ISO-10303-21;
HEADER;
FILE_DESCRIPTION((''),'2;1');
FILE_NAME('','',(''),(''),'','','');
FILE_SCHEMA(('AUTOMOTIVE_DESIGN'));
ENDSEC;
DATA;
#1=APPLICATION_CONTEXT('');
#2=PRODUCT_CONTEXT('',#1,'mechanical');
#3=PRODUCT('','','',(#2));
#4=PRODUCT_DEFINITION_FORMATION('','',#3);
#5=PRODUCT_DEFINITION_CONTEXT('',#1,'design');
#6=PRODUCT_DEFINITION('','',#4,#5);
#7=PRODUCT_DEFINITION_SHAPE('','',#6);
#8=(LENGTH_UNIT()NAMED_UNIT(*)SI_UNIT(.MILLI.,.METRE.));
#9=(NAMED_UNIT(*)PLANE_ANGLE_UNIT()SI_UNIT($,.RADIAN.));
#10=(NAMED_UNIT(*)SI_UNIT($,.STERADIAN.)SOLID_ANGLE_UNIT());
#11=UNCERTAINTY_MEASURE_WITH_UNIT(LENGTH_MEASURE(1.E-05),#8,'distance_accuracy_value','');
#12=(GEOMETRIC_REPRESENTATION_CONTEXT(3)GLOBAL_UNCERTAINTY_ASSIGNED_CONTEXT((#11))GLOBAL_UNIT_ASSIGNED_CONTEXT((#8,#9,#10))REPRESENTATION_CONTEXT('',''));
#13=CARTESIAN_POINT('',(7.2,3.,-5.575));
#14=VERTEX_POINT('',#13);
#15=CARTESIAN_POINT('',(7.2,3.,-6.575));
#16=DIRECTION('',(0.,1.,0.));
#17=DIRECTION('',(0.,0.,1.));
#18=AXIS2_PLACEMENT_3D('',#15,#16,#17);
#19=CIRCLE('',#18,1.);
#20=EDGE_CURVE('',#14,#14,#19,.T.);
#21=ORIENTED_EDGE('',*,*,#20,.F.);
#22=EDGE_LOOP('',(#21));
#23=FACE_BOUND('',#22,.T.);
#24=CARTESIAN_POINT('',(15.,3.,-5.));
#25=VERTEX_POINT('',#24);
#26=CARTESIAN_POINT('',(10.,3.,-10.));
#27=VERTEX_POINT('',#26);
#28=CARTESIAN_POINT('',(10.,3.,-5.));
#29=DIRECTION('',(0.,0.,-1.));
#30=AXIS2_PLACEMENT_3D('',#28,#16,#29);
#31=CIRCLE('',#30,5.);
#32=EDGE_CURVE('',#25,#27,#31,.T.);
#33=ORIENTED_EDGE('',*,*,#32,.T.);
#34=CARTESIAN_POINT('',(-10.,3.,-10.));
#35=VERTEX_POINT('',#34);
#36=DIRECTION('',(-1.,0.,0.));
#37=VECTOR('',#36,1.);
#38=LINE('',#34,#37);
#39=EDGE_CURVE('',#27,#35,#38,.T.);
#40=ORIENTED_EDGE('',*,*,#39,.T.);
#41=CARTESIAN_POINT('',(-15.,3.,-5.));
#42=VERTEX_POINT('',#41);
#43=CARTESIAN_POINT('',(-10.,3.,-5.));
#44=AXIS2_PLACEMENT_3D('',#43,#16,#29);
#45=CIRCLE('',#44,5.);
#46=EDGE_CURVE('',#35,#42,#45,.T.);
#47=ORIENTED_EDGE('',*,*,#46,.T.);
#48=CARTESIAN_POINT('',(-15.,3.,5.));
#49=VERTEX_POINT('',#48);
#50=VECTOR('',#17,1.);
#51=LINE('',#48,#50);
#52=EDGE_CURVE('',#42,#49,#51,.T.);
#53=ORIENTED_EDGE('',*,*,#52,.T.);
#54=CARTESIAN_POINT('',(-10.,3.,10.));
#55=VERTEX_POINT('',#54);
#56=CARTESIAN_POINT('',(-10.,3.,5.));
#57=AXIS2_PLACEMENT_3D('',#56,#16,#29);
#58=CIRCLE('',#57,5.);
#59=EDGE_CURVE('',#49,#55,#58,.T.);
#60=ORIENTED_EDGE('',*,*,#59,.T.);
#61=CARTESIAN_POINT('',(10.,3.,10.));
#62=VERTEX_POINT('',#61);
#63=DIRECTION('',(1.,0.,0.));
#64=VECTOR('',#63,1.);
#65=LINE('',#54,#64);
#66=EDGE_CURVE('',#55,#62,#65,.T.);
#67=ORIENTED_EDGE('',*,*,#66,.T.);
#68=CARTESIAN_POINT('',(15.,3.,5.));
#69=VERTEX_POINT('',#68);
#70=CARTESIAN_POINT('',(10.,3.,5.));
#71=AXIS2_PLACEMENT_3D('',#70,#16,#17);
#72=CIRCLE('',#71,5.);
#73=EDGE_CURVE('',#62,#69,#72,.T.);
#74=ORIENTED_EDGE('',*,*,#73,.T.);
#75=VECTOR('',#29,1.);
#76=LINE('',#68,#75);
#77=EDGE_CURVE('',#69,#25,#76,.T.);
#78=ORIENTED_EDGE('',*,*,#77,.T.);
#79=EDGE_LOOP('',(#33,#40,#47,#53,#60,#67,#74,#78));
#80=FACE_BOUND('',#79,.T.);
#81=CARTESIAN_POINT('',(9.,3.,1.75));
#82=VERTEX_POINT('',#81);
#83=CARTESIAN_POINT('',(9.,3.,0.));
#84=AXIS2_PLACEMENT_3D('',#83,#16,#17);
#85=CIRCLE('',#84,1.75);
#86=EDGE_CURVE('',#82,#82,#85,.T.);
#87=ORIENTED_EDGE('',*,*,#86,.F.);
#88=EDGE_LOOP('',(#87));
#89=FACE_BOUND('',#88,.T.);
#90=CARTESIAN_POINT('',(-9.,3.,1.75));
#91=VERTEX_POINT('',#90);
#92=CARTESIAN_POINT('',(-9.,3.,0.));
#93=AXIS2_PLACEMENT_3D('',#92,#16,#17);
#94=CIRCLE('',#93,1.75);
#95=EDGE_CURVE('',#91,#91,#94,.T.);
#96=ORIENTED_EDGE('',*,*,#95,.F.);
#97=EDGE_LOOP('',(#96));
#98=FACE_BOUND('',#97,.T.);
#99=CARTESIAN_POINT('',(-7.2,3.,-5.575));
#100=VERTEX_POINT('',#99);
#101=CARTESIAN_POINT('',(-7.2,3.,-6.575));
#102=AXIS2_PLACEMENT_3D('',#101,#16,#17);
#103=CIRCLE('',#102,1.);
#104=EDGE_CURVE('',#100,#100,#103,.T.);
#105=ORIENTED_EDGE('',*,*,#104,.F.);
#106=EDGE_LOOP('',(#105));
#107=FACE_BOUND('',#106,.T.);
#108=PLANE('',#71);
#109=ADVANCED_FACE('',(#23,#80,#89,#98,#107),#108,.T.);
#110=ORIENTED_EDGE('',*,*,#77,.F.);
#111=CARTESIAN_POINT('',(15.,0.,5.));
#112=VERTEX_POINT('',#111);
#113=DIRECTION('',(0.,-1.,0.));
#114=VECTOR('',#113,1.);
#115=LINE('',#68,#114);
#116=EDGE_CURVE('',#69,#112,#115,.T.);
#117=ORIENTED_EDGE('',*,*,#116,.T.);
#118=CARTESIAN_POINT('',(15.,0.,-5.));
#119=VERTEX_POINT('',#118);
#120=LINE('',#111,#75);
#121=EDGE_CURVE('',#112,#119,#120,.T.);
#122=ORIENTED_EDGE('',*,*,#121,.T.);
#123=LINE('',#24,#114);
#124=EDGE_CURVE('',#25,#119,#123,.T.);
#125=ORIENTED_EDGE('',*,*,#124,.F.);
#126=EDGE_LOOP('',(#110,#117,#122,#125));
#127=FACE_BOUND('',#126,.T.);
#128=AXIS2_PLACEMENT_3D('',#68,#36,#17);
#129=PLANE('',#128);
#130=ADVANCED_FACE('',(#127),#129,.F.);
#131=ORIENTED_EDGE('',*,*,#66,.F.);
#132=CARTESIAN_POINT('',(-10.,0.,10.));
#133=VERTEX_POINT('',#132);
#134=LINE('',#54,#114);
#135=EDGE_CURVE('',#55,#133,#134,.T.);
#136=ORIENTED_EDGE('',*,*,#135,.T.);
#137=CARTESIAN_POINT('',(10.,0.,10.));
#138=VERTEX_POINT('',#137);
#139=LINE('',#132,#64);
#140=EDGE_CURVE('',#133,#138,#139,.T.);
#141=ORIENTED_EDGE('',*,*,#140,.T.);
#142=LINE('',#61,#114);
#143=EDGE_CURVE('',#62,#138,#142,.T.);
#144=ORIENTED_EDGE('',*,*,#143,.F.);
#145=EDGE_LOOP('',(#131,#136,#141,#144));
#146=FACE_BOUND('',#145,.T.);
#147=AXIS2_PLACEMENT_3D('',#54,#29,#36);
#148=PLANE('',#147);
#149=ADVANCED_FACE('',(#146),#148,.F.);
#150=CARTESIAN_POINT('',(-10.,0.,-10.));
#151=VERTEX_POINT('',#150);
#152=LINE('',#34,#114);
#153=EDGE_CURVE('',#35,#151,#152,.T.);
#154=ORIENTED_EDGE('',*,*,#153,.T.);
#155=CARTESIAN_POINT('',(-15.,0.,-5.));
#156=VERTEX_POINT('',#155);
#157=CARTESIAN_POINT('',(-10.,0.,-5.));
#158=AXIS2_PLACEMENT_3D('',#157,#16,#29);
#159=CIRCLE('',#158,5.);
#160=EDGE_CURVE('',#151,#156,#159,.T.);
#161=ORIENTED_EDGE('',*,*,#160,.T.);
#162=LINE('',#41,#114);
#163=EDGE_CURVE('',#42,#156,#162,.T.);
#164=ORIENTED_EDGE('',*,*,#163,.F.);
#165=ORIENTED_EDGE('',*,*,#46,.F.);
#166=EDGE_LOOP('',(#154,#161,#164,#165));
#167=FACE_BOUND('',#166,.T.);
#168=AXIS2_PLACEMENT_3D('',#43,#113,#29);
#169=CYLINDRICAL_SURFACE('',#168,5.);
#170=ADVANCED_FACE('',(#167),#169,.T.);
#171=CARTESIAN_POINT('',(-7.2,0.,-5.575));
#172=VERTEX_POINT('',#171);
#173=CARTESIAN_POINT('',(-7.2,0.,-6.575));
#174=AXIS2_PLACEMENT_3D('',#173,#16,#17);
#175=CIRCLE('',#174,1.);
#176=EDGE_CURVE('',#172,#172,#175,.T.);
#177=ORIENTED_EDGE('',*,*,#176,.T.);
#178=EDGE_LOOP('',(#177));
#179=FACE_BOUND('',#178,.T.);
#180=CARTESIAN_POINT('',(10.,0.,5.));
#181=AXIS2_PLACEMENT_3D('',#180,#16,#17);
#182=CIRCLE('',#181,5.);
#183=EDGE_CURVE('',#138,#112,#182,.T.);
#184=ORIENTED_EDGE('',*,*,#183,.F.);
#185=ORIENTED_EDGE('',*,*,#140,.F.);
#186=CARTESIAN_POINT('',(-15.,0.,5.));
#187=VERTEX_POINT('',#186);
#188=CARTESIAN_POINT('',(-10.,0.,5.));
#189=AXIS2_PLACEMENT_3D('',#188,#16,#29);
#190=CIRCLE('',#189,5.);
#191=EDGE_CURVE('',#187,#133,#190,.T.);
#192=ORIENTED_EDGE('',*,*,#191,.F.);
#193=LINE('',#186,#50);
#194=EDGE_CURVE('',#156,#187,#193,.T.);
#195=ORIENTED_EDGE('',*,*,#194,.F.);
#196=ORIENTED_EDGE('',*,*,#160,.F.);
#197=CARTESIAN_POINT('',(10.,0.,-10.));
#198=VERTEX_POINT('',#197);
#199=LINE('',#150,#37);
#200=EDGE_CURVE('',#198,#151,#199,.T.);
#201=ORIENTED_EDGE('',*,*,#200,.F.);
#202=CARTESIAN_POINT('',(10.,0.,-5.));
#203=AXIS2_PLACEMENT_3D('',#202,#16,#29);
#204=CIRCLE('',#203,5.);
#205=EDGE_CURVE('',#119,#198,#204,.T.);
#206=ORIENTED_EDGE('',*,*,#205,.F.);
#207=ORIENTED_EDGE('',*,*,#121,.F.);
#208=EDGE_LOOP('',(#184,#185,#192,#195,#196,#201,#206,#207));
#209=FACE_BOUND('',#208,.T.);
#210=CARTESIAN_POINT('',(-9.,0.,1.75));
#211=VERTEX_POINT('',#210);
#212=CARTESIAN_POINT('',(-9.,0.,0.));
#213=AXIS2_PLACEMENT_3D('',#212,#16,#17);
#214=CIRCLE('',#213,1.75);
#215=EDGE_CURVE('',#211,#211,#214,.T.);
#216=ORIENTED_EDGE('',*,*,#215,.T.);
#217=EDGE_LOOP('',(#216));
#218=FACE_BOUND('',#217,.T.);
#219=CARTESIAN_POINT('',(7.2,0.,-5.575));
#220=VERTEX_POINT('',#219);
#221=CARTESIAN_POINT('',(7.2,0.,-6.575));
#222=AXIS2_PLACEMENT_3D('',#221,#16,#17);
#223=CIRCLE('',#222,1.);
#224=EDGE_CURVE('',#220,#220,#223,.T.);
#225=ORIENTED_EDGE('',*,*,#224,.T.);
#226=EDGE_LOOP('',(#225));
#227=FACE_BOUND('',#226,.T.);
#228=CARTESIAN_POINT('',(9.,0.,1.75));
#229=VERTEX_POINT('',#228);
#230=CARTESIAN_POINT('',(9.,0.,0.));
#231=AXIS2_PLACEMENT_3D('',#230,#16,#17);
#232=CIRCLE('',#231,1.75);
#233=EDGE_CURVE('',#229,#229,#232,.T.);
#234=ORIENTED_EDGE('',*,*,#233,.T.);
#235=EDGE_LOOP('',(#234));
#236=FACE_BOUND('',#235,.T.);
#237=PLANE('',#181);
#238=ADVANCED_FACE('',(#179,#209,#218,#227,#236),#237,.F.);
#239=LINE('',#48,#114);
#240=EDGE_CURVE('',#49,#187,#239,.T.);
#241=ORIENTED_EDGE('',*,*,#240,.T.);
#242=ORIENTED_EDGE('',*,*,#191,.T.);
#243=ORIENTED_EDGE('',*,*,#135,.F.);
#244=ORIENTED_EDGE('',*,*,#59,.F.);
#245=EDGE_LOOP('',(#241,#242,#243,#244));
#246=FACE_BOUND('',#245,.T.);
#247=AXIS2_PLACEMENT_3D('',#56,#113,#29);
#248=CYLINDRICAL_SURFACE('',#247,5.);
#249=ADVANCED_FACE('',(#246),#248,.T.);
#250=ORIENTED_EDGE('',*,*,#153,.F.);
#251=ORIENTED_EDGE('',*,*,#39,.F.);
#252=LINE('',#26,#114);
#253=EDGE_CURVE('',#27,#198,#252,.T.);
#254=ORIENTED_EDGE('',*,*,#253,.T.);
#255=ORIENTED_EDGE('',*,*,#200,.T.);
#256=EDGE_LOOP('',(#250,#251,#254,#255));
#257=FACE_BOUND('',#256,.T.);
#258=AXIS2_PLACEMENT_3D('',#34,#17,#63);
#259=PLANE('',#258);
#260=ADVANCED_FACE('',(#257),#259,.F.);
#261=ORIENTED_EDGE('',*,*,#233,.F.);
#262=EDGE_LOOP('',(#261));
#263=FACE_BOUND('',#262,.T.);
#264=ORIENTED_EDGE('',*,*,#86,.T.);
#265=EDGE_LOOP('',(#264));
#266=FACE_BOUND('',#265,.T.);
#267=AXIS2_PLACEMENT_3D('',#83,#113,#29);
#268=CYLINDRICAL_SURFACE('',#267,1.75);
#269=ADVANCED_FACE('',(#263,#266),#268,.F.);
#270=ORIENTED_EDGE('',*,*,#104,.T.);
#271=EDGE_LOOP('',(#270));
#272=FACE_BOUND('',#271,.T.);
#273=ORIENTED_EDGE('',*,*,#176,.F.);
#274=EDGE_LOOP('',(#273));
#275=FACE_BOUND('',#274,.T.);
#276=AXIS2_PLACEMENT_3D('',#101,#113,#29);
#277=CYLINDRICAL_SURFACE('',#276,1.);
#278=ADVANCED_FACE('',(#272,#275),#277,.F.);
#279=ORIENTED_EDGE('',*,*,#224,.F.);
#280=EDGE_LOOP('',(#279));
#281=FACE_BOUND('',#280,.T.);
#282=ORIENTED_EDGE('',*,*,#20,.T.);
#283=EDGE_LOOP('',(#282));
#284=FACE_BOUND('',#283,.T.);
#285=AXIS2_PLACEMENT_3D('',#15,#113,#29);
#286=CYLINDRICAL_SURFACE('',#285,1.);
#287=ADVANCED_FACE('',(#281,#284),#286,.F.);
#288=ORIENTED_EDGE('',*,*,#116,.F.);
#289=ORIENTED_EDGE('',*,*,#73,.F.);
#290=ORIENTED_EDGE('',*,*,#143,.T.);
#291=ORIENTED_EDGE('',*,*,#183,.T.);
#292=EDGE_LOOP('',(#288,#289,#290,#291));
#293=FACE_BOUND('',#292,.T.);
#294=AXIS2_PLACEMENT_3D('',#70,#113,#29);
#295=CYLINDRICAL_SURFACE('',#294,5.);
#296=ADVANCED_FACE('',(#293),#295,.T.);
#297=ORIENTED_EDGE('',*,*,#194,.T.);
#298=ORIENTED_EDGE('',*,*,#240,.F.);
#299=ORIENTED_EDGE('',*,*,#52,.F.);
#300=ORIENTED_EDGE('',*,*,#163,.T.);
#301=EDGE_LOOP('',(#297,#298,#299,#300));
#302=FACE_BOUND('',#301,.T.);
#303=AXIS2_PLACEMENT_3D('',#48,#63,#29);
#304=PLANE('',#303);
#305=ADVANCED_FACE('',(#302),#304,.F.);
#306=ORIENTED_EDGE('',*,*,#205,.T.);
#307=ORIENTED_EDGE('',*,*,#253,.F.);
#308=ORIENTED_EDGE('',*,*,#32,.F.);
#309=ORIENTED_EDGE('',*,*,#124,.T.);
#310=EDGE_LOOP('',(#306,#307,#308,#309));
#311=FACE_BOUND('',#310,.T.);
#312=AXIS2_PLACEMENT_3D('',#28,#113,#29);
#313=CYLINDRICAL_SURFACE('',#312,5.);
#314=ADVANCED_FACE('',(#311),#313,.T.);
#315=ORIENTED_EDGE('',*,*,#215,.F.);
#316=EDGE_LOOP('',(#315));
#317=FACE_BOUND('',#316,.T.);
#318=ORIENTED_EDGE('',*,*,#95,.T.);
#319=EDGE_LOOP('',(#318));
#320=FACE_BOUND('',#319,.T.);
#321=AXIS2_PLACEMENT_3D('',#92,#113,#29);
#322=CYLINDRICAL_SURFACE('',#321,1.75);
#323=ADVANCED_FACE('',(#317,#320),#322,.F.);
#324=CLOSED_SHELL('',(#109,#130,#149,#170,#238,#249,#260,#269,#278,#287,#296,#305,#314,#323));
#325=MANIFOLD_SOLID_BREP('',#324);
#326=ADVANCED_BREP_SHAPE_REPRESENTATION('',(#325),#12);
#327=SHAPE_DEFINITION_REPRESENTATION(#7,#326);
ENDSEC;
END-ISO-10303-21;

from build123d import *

# Parameters (mm, degrees)
SKETCH_1_R      = 1.75
SKETCH_1_R_2    = 1
EXTRUDE_1_DEPTH = 3


with BuildPart() as part:
    # 草图1 → 凸台-拉伸1 (new body)
    with BuildSketch(Plane(origin=(0, 0, 0), x_dir=(1, 0, 0), z_dir=(0, 1, 0))):
        with BuildLine():
            Line((-10, -10), (10, -10))
            ThreePointArc((10, -10), (13.535533906, -8.535533906), (15, -5))
            Line((15, -5), (15, 5))
            ThreePointArc((15, 5), (13.535533906, 8.535533906), (10, 10))
            Line((10, 10), (-10, 10))
            ThreePointArc((-10, 10), (-13.535533906, 8.535533906), (-15, 5))
            Line((-15, 5), (-15, -5))
            ThreePointArc((-15, -5), (-13.535533906, -8.535533906), (-10, -10))
        make_face()
        with Locations(Location((-9, 0, 0), (0, 0, 270))):
            Circle(SKETCH_1_R, mode=Mode.SUBTRACT)
        with Locations(Location((9, 0, 0), (0, 0, 270))):
            Circle(SKETCH_1_R, mode=Mode.SUBTRACT)
        with Locations(Location((7.2, 6.575, 0), (0, 0, 270))):
            Circle(SKETCH_1_R_2, mode=Mode.SUBTRACT)
        with Locations(Location((-7.2, 6.575, 0), (0, 0, 270))):
            Circle(SKETCH_1_R_2, mode=Mode.SUBTRACT)
    extrude(amount=EXTRUDE_1_DEPTH)


solid = part.part
